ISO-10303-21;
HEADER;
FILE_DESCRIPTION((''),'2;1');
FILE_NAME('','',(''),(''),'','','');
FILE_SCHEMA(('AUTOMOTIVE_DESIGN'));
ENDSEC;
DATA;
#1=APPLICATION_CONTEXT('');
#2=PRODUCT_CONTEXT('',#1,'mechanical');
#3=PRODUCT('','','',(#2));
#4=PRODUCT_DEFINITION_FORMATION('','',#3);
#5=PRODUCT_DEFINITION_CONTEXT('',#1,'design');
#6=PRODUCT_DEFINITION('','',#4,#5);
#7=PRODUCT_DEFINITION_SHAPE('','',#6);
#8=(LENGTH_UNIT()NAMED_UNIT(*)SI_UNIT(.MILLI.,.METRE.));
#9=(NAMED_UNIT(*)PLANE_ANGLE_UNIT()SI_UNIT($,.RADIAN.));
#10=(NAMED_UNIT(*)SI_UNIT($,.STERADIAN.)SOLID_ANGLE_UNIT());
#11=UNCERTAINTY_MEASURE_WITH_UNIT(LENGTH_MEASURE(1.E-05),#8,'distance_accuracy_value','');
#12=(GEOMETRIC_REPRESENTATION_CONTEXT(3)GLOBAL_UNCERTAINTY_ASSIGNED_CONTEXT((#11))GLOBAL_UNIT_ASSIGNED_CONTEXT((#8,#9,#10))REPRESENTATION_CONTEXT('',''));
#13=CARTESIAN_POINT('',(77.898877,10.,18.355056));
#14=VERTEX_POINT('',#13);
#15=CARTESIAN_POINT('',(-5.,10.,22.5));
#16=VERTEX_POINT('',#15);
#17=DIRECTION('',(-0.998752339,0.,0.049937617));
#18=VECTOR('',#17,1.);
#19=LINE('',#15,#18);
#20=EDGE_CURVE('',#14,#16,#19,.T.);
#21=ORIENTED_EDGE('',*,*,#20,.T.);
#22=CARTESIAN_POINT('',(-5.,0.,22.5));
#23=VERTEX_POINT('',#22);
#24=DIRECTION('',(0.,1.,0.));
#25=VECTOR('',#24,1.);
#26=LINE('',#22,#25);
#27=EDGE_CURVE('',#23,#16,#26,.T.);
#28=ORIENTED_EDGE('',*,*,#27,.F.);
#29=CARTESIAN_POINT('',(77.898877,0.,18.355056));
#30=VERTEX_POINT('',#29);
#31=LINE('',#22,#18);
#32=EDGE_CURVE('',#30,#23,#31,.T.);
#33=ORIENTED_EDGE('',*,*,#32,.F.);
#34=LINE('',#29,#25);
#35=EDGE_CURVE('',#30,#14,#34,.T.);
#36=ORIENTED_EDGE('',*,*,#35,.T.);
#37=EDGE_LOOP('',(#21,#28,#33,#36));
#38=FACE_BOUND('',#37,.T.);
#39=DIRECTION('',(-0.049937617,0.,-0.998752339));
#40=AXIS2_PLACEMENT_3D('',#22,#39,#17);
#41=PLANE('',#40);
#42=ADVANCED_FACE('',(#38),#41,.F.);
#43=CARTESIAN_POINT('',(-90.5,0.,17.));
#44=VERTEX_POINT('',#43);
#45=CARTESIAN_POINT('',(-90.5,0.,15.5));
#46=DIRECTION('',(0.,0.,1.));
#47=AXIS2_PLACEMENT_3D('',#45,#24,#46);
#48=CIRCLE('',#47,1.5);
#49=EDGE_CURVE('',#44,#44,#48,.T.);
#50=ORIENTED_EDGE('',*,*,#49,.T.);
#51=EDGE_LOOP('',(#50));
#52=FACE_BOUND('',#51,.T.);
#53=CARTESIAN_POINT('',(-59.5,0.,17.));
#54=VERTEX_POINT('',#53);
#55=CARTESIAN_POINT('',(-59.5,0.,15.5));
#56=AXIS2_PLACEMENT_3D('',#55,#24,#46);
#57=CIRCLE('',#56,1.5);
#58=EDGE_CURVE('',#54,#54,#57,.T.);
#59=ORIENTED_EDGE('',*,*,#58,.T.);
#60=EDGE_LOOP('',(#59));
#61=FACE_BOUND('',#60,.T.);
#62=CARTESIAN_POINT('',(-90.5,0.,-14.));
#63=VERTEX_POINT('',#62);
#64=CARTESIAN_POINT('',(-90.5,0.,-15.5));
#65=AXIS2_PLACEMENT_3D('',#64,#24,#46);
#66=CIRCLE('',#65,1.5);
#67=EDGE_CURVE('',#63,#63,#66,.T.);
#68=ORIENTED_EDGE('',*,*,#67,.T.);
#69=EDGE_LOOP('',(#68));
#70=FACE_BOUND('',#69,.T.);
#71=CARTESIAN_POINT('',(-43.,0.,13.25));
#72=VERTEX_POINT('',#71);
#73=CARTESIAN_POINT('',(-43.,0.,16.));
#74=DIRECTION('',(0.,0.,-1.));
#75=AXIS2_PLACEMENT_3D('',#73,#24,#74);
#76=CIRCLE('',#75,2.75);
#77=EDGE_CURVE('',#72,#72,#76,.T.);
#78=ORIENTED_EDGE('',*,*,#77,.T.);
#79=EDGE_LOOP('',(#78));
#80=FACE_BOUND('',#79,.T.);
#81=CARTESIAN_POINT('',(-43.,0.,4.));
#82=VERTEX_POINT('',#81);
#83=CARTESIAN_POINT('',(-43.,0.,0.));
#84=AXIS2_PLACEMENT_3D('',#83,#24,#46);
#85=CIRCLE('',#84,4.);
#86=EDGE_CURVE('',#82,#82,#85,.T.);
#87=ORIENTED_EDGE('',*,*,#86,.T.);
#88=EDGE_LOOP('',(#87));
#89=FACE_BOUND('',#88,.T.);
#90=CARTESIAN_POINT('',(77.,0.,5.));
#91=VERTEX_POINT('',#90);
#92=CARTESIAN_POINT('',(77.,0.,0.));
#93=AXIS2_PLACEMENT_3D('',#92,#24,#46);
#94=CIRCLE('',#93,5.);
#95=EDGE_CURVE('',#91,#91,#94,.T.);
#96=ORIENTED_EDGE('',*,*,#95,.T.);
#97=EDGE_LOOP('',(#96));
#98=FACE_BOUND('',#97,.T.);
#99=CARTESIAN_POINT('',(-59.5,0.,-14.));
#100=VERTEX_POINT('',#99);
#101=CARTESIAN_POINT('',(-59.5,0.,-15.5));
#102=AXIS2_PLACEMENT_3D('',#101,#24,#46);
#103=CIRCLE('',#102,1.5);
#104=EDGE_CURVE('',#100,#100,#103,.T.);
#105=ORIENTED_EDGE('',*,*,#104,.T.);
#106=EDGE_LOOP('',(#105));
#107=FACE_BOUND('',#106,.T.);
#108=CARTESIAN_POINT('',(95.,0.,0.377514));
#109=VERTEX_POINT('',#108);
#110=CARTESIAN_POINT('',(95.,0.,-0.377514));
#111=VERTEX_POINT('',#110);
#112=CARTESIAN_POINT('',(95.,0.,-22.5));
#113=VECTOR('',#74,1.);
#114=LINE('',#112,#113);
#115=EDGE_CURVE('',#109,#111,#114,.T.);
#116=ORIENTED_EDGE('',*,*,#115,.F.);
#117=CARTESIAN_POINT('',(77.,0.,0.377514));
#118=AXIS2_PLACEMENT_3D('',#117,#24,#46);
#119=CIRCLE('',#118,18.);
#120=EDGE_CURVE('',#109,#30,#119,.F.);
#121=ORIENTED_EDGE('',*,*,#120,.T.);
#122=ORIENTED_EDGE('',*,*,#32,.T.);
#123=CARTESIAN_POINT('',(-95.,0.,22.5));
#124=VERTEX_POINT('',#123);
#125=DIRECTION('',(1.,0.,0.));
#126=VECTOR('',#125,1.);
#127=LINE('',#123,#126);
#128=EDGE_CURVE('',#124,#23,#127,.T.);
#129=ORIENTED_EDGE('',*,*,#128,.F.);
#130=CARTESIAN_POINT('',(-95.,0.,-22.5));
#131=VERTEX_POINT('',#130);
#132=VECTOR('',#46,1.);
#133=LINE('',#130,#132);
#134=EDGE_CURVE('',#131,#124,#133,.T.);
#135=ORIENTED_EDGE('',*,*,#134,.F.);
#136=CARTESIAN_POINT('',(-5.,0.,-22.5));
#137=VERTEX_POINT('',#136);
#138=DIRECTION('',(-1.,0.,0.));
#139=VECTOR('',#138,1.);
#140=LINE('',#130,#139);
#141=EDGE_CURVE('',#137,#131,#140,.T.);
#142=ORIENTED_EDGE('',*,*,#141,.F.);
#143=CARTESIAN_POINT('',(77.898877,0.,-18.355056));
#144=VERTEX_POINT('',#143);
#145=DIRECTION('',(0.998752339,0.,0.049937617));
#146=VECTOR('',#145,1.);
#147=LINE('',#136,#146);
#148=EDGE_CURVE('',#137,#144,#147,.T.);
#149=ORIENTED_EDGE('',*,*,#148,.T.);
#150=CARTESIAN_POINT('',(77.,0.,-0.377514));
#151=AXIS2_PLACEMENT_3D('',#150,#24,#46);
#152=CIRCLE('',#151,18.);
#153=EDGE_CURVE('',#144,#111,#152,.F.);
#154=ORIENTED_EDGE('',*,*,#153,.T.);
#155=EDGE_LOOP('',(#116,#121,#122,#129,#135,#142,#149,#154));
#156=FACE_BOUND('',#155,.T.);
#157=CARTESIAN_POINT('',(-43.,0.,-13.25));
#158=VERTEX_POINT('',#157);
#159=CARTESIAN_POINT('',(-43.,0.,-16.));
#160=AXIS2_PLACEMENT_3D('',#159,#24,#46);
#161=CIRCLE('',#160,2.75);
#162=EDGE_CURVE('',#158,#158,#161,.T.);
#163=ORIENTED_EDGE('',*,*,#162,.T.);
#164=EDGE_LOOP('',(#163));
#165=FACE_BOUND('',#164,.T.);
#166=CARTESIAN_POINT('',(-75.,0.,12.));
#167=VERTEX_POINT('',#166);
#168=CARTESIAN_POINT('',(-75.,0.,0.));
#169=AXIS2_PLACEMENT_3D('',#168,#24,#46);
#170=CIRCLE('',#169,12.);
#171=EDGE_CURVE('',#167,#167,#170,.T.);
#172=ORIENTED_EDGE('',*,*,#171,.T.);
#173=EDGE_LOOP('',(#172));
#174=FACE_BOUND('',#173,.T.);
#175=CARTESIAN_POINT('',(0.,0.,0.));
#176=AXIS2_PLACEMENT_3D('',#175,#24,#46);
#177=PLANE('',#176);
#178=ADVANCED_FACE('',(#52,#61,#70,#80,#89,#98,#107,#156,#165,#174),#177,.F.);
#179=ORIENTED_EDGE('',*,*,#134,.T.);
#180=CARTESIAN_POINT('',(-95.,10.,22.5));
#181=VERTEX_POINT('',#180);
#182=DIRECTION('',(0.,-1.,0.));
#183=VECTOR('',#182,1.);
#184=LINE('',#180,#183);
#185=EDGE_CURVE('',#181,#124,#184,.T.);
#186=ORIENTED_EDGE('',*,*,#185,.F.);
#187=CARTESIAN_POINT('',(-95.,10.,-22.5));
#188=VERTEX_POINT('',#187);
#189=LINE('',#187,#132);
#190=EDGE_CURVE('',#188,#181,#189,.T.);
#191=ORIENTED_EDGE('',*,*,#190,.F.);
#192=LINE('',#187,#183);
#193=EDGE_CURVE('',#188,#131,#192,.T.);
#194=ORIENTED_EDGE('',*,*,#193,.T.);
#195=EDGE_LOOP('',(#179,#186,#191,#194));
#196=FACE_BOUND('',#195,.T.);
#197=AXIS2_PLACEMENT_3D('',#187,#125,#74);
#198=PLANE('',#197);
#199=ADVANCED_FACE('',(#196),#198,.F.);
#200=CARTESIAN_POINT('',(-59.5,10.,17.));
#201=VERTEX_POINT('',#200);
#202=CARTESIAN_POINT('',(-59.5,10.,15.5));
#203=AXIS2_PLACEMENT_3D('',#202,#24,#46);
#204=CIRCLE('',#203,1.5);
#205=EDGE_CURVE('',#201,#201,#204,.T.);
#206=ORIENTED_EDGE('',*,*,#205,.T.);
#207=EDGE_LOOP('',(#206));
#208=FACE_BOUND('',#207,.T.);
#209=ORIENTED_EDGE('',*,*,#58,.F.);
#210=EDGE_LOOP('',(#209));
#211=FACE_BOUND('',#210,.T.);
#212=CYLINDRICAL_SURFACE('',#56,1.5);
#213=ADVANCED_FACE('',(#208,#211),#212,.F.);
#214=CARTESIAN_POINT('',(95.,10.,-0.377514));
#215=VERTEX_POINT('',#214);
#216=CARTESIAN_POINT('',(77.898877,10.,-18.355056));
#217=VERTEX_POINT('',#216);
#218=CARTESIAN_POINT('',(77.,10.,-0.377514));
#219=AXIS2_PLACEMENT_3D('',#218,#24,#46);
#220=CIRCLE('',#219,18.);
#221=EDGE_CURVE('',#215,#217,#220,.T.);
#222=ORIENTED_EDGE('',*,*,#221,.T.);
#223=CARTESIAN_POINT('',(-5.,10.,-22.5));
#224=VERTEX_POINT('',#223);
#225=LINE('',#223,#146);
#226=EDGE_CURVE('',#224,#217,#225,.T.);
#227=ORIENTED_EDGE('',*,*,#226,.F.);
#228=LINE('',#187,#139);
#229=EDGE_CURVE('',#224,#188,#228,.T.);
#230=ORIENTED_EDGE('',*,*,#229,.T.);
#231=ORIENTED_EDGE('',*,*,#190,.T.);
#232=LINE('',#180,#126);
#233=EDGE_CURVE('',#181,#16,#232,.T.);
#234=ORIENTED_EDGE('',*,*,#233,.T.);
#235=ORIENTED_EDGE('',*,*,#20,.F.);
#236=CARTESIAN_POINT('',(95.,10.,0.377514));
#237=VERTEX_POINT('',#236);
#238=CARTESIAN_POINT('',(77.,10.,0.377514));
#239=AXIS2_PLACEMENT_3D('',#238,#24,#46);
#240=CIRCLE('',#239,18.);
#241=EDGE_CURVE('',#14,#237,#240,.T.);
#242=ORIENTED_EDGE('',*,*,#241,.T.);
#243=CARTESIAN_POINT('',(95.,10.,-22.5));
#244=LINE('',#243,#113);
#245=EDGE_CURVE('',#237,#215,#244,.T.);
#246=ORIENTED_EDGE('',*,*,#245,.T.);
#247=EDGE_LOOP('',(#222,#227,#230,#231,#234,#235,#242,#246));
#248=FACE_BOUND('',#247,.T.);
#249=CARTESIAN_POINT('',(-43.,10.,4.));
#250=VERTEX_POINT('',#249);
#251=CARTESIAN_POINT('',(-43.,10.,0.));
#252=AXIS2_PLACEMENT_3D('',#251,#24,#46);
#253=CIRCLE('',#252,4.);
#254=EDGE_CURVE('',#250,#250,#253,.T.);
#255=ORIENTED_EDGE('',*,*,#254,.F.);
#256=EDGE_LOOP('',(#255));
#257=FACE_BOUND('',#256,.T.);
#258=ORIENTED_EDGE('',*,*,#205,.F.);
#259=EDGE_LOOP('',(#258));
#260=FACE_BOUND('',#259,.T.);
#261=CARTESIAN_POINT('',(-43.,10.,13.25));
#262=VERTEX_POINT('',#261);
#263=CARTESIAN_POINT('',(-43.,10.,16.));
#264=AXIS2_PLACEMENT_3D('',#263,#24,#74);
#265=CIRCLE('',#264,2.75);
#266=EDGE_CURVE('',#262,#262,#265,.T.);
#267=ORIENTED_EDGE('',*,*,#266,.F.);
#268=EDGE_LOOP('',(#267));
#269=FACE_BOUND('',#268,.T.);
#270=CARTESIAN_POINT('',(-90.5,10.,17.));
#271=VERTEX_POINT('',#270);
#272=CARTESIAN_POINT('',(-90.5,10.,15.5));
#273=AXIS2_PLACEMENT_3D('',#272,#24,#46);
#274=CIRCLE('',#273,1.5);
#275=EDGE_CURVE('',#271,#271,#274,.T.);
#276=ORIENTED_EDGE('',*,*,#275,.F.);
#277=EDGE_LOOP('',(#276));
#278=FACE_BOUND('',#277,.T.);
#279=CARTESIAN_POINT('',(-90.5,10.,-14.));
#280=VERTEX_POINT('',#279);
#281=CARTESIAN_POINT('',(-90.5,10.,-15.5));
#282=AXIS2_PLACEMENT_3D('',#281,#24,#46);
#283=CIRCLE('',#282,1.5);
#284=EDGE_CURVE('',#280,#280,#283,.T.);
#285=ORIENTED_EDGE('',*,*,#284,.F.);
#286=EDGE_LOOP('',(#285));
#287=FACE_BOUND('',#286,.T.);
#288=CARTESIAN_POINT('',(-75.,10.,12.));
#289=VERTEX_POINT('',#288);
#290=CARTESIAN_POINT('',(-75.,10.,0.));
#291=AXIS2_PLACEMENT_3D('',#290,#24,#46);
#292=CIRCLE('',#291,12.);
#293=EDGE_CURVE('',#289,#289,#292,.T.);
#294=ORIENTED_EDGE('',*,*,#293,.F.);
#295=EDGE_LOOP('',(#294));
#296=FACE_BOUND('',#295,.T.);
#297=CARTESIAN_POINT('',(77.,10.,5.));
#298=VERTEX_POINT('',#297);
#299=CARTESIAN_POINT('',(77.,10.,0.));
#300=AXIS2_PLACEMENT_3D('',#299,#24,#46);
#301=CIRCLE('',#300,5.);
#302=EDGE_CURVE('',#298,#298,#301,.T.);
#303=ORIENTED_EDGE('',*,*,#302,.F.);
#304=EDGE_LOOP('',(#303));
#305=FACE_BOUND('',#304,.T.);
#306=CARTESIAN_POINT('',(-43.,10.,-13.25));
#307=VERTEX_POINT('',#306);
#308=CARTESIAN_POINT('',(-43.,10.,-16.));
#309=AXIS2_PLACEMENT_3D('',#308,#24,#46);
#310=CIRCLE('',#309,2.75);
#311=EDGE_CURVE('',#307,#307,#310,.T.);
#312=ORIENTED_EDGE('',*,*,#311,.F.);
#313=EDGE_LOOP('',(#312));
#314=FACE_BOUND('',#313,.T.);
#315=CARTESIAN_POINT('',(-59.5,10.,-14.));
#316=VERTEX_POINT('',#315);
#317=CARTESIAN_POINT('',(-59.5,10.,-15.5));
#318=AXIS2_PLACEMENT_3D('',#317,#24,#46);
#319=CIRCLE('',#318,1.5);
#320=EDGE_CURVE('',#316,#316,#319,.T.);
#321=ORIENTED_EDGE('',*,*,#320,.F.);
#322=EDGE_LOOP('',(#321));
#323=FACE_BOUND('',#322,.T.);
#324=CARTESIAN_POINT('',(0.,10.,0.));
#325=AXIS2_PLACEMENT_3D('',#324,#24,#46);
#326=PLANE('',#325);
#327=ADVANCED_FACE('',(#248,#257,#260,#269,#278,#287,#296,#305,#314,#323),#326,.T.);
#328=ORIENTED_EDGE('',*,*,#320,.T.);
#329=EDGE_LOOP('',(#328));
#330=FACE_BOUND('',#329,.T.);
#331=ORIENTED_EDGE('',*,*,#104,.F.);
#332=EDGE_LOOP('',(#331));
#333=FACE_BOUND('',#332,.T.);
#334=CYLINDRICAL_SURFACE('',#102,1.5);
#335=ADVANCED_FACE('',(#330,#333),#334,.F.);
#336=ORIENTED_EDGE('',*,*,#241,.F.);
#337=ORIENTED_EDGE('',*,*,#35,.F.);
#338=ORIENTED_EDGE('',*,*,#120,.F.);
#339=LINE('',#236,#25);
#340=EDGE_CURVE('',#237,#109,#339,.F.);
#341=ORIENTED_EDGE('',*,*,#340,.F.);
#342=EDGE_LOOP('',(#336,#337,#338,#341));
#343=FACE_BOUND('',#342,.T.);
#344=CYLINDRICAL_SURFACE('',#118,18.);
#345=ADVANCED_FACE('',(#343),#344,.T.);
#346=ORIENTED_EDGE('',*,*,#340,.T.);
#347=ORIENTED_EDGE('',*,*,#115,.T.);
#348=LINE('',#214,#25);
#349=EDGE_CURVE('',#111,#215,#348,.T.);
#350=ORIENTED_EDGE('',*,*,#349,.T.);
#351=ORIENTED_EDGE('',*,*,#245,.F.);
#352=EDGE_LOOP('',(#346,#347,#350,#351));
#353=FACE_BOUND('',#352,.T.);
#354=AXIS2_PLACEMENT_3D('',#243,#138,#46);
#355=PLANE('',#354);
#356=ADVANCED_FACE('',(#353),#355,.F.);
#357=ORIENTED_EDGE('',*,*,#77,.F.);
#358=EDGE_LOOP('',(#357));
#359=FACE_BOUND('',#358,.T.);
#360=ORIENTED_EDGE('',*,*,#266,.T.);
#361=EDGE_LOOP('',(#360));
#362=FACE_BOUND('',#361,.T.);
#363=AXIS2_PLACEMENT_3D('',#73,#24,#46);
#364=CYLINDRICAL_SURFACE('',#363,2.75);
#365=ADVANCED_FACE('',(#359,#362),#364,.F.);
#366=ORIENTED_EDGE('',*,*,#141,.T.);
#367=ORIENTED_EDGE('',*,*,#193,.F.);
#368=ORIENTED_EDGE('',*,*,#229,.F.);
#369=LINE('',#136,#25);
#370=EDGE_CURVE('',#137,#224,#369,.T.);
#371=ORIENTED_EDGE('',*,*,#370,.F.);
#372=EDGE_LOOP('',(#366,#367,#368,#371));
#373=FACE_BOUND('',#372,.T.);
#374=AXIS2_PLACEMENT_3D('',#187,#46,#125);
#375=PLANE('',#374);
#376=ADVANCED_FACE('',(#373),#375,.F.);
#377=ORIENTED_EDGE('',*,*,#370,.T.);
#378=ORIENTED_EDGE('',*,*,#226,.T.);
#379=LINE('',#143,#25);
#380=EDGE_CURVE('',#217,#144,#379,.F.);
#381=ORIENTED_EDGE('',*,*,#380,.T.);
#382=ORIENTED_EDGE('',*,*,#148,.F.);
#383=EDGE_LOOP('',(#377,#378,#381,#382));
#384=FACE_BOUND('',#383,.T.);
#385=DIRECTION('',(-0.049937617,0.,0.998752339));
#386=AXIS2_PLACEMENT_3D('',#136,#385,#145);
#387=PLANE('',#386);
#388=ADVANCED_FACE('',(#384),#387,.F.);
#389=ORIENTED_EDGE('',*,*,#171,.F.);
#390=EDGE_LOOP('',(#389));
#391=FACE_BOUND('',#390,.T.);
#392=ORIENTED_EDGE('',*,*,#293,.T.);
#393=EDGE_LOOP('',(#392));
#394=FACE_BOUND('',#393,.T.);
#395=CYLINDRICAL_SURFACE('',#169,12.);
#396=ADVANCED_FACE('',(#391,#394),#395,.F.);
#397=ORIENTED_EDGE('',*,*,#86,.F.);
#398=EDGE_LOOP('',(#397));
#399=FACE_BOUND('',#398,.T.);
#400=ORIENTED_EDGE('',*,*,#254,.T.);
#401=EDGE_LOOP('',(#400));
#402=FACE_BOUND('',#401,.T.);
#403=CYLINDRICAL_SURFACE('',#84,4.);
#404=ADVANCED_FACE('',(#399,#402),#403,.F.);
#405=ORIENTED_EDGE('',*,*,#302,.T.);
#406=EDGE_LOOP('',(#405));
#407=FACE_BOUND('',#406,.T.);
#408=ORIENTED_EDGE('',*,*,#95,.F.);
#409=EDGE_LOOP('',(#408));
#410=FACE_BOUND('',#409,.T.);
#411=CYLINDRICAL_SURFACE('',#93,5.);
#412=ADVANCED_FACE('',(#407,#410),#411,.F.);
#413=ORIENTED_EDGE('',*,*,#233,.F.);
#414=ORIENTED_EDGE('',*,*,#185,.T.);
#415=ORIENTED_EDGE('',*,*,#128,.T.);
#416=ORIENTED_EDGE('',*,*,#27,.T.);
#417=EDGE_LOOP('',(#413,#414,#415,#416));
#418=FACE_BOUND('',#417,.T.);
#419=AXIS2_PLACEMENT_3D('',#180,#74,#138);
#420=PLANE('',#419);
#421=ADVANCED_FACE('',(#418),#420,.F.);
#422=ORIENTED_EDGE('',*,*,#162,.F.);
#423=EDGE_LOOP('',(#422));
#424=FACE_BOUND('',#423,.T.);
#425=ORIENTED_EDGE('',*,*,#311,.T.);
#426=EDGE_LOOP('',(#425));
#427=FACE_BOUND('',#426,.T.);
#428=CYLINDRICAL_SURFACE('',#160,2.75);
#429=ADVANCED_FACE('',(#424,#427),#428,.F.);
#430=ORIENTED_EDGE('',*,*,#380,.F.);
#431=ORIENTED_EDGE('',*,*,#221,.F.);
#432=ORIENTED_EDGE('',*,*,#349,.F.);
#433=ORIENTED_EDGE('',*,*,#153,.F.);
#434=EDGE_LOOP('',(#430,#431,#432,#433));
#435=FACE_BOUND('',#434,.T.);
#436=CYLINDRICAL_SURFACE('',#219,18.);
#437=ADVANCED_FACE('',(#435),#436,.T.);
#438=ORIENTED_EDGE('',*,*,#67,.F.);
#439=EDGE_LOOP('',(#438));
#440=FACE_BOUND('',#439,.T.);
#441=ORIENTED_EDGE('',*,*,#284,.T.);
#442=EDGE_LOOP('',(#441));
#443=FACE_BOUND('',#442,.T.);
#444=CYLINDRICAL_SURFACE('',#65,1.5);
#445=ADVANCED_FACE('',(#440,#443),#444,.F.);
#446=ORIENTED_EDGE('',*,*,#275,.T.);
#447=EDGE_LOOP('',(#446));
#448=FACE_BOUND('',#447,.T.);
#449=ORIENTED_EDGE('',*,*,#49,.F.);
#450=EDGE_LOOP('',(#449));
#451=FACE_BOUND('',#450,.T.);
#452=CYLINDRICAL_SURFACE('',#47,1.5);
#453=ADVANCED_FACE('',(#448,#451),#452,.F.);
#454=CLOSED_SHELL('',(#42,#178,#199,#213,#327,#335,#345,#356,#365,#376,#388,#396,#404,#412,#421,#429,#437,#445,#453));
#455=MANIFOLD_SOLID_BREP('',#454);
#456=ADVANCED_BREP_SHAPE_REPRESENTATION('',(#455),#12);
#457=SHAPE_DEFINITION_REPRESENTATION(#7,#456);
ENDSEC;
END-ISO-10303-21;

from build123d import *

# Parameters (mm, degrees)
SKETCH1_W           = 190
SKETCH1_H           = 45
BOSS_EXTRUDE1_DEPTH = 10
SKETCH2_R           = 1.5
SKETCH2_R_2         = 12
SKETCH2_R_3         = 4
SKETCH2_R_4         = 2.75
SKETCH2_R_5         = 5
CUT_EXTRUDE1_DEPTH  = 10
CUT_EXTRUDE2_DEPTH  = 10
FILLET1_R           = 18


with BuildPart() as part:
    # Sketch1 → Boss-Extrude1 (new body)
    with BuildSketch(Plane(origin=(0, 0, 0), x_dir=(1, 0, 0), z_dir=(0, 1, 0))):
        Rectangle(SKETCH1_W, SKETCH1_H)
    extrude(amount=BOSS_EXTRUDE1_DEPTH)

    # Sketch2 → Cut-Extrude1 (cut)
    with BuildSketch(Plane(origin=(0, 10, 0), x_dir=(1, 0, 0), z_dir=(0, 1, 0))):
        with Locations(Location((-90.5, 15.5, 0), (0, 0, 270))):
            Circle(SKETCH2_R)
        with Locations(Location((-59.5, 15.5, 0), (0, 0, 270))):
            Circle(SKETCH2_R)
        with Locations(Location((-90.5, -15.5, 0), (0, 0, 270))):
            Circle(SKETCH2_R)
        with Locations(Location((-59.5, -15.5, 0), (0, 0, 270))):
            Circle(SKETCH2_R)
        with Locations(Location((-75, 0, 0), (0, 0, 270))):
            Circle(SKETCH2_R_2)
        with Locations(Location((-43, 0, 0), (0, 0, 270))):
            Circle(SKETCH2_R_3)
        with Locations(Location((-43, 16, 0), (0, 0, 270))):
            Circle(SKETCH2_R_4)
        with Locations(Location((-43, -16, 0), (0, 0, 90))):
            Circle(SKETCH2_R_4)
        with Locations(Location((77, 0, 0), (0, 0, 270))):
            Circle(SKETCH2_R_5)
    extrude(amount=-CUT_EXTRUDE1_DEPTH, mode=Mode.SUBTRACT)

    # Sketch3 → Cut-Extrude2 (cut)
    with BuildSketch(Plane(origin=(0, 10, 0), x_dir=(1, 0, 0), z_dir=(0, 1, 0))):
        Polygon((95, -22.5), (-5, -22.5), (95, -17.5), align=None)
        Polygon((-5, 22.5), (95, 17.5), (95, 22.5), align=None)
    extrude(amount=-CUT_EXTRUDE2_DEPTH, mode=Mode.SUBTRACT)

    # Fillet1
    fillet1_edges = [part.edges().sort_by_distance(p)[0] for p in [
        (95, 5, 17.5),
        (95, 5, -17.5),
    ]]
    fillet(fillet1_edges, radius=FILLET1_R)


solid = part.part
